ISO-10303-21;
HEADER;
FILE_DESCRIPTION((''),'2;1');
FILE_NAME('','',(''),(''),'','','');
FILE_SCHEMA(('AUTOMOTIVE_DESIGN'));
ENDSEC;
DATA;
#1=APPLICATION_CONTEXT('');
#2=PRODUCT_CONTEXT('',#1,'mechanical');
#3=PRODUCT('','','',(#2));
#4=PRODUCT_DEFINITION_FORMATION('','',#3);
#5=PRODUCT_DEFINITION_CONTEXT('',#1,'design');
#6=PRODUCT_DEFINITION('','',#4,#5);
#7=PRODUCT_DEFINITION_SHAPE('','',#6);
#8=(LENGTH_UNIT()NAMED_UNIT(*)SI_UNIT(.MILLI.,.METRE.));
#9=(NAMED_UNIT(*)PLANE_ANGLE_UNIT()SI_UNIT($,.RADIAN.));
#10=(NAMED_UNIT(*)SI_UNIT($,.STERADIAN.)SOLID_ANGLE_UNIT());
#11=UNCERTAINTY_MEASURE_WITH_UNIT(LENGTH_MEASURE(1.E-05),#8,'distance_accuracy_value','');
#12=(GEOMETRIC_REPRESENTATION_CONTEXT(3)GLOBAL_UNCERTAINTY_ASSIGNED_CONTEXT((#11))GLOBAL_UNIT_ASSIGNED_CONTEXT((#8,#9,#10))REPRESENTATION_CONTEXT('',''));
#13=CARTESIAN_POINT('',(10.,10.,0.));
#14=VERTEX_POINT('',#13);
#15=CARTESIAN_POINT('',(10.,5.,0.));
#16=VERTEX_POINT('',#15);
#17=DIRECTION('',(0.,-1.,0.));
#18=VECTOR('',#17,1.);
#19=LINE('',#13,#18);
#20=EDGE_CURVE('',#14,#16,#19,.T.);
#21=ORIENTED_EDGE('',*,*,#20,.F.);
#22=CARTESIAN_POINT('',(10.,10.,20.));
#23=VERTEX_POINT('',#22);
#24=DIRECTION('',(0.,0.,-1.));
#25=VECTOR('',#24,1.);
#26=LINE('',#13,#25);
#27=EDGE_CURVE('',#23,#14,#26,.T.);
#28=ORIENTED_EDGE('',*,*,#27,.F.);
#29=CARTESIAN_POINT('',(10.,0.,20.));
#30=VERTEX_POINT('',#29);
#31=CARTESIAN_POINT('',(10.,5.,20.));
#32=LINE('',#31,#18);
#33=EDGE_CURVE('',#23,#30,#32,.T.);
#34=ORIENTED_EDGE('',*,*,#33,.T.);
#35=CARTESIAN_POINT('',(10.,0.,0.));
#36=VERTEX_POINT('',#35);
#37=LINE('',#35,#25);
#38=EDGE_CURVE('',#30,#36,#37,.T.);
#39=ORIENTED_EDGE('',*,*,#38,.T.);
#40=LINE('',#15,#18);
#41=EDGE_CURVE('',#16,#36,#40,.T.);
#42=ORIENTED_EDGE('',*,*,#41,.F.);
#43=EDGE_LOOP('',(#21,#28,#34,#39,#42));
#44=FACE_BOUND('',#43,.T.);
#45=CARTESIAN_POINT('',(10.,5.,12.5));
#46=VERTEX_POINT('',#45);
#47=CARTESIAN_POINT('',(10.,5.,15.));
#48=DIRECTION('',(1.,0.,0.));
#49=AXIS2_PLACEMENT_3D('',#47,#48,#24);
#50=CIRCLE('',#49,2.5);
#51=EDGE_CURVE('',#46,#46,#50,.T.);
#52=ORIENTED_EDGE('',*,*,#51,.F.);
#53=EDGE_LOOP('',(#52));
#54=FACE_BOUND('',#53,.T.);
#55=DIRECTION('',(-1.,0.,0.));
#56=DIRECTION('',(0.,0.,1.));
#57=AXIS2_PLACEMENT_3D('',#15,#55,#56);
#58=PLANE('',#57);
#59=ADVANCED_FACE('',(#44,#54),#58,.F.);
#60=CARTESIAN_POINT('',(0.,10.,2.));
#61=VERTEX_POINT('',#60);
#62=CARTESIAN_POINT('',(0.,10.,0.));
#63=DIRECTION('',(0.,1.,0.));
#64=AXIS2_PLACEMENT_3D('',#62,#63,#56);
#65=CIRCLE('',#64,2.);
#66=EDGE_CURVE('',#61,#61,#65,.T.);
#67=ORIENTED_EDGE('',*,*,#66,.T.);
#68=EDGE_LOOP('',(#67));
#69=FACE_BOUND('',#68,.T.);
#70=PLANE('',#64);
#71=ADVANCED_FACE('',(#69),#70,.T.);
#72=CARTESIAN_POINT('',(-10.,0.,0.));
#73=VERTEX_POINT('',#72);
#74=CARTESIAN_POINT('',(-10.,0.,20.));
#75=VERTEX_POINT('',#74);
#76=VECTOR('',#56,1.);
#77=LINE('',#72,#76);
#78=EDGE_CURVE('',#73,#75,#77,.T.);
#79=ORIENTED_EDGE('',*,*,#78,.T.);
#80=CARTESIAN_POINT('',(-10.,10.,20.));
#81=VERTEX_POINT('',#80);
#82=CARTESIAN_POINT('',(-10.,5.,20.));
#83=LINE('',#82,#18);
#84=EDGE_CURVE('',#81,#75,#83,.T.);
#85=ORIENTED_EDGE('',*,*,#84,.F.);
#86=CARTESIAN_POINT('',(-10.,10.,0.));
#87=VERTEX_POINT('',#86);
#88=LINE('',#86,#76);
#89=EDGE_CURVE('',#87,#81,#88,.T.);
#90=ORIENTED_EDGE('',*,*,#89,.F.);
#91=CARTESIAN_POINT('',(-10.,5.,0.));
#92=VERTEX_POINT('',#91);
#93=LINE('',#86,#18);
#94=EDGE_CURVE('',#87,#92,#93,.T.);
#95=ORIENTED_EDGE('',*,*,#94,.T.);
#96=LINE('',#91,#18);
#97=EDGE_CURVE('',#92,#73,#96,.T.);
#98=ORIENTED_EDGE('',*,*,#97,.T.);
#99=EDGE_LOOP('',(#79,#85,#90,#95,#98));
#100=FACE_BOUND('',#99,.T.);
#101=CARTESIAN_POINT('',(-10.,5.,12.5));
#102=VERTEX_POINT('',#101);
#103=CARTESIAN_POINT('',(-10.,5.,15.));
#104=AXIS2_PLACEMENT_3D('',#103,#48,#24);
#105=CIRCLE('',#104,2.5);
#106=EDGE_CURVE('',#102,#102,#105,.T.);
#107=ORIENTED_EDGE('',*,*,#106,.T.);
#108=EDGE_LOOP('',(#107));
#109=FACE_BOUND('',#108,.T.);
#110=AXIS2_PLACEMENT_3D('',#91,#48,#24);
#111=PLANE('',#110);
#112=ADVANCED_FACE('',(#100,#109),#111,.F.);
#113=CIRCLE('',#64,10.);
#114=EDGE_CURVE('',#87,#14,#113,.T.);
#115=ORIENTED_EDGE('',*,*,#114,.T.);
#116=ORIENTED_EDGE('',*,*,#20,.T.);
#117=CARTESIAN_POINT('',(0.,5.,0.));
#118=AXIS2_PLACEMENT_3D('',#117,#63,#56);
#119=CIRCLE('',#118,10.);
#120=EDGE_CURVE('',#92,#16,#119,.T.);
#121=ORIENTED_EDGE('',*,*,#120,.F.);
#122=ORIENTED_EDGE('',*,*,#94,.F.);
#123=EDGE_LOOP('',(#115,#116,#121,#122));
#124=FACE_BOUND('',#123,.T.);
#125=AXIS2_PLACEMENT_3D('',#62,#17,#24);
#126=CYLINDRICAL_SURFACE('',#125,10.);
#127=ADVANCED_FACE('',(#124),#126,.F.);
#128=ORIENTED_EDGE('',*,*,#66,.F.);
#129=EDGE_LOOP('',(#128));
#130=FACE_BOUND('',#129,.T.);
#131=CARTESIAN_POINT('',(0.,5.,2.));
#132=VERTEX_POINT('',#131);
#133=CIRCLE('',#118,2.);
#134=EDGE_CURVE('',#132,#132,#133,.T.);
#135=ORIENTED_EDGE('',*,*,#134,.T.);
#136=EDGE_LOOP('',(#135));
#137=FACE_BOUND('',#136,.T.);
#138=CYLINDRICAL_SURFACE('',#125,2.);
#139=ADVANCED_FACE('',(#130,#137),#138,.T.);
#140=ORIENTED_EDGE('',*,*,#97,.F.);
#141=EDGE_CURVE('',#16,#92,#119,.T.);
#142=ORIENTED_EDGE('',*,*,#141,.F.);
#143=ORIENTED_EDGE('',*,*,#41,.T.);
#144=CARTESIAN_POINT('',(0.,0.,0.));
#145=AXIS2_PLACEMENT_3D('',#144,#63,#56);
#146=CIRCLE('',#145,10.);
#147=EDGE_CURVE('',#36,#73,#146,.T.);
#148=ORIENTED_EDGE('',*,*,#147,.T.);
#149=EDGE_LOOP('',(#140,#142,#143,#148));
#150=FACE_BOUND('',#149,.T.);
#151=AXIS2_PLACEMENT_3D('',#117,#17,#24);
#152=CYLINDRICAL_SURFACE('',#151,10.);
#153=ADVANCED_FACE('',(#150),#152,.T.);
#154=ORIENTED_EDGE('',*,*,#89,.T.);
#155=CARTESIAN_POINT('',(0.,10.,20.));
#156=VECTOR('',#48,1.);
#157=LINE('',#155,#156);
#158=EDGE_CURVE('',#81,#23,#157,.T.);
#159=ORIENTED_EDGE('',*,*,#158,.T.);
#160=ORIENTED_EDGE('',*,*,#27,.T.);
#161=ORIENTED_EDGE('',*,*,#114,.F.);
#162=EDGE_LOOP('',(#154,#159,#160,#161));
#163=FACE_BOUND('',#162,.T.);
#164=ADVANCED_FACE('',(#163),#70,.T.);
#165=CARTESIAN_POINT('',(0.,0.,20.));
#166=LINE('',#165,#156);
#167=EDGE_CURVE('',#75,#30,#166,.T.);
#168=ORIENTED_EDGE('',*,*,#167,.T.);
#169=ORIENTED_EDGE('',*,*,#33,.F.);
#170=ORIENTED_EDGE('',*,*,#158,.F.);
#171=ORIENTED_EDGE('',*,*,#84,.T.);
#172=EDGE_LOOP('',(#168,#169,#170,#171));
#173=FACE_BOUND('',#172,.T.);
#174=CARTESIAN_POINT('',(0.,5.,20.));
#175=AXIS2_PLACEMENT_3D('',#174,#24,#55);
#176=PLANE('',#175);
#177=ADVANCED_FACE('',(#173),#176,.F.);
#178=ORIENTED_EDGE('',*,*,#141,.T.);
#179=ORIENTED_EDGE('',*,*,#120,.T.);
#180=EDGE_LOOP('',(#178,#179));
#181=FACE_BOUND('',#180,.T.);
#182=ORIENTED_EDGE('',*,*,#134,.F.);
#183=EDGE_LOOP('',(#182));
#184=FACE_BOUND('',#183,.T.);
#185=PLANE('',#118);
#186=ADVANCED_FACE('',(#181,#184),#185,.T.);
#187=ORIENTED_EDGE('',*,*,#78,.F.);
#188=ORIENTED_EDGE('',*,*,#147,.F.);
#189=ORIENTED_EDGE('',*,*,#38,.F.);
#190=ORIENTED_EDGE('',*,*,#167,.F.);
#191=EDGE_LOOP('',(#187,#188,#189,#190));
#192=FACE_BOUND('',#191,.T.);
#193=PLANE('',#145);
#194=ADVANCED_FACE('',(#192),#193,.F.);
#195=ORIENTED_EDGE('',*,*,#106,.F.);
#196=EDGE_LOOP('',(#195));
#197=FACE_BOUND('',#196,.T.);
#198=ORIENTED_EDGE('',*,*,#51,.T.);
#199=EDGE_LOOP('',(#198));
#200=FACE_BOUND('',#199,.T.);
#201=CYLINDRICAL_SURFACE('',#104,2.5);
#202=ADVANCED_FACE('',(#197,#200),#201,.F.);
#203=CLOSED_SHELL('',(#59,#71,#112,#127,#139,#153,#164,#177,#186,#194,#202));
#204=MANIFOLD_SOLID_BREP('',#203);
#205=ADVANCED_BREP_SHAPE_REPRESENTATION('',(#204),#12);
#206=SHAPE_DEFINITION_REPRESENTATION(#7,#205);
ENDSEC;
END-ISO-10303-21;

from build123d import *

# Parameters (mm, degrees)
AUFSATZ_LINEAR_AUSTRAGEN1_DEPTH = 5
SKIZZE2_R                       = 2
AUFSATZ_LINEAR_AUSTRAGEN2_DEPTH = 5
SKIZZE3_R                       = 2.5
SCHNITT_LINEAR_AUSTRAGEN1_DEPTH = 31


with BuildPart() as part:
    # Skizze1 → Aufsatz-Linear austragen1 (new body)
    with BuildSketch(Plane(origin=(0, 0, 0), x_dir=(1, 0, 0), z_dir=(0, 1, 0))):
        with BuildLine():
            ThreePointArc((10, 0), (0, 10), (-10, 0))
            Line((-10, 0), (10, 0))
        make_face()
        with BuildLine():
            Line((10, 0), (-10, 0))
            ThreePointArc((-10, 0), (0, -10), (10, 0))
        make_face()
        with BuildLine():
            ThreePointArc((10, 0), (0, 10), (-10, 0))
            Line((-10, 0), (10, 0))
        make_face()
        with BuildLine():
            Line((10, 0), (-10, 0))
            ThreePointArc((-10, 0), (0, -10), (10, 0))
        make_face()
        with BuildLine():
            ThreePointArc((10, 0), (0, -10), (-10, 0))
            Line((-10, 0), (-10, -20))
            Line((-10, -20), (10, -20))
            Line((10, -20), (10, 0))
        make_face()
    extrude(amount=AUFSATZ_LINEAR_AUSTRAGEN1_DEPTH)

    # Skizze2 → Aufsatz-Linear austragen2 (add)
    with BuildSketch(Plane(origin=(0, 5, 0), x_dir=(1, 0, 0), z_dir=(0, 1, 0))):
        with Locations(Location((0, 0, 0), (0, 0, 270))):
            Circle(SKIZZE2_R)
        with BuildLine():
            Line((-10, -20), (10, -20))
            Line((10, -20), (10, 0))
            ThreePointArc((10, 0), (0, -10), (-10, 0))
            Line((-10, 0), (-10, -20))
        make_face()
    extrude(amount=AUFSATZ_LINEAR_AUSTRAGEN2_DEPTH)

    # Skizze3 → Schnitt-Linear austragen1 (cut, through all)
    with BuildSketch(Plane(origin=(10, 0, 0), x_dir=(0, 0, -1), z_dir=(1, 0, 0))):
        with Locations((-15, 5)):
            Circle(SKIZZE3_R)
    extrude(amount=-SCHNITT_LINEAR_AUSTRAGEN1_DEPTH, mode=Mode.SUBTRACT)


solid = part.part
